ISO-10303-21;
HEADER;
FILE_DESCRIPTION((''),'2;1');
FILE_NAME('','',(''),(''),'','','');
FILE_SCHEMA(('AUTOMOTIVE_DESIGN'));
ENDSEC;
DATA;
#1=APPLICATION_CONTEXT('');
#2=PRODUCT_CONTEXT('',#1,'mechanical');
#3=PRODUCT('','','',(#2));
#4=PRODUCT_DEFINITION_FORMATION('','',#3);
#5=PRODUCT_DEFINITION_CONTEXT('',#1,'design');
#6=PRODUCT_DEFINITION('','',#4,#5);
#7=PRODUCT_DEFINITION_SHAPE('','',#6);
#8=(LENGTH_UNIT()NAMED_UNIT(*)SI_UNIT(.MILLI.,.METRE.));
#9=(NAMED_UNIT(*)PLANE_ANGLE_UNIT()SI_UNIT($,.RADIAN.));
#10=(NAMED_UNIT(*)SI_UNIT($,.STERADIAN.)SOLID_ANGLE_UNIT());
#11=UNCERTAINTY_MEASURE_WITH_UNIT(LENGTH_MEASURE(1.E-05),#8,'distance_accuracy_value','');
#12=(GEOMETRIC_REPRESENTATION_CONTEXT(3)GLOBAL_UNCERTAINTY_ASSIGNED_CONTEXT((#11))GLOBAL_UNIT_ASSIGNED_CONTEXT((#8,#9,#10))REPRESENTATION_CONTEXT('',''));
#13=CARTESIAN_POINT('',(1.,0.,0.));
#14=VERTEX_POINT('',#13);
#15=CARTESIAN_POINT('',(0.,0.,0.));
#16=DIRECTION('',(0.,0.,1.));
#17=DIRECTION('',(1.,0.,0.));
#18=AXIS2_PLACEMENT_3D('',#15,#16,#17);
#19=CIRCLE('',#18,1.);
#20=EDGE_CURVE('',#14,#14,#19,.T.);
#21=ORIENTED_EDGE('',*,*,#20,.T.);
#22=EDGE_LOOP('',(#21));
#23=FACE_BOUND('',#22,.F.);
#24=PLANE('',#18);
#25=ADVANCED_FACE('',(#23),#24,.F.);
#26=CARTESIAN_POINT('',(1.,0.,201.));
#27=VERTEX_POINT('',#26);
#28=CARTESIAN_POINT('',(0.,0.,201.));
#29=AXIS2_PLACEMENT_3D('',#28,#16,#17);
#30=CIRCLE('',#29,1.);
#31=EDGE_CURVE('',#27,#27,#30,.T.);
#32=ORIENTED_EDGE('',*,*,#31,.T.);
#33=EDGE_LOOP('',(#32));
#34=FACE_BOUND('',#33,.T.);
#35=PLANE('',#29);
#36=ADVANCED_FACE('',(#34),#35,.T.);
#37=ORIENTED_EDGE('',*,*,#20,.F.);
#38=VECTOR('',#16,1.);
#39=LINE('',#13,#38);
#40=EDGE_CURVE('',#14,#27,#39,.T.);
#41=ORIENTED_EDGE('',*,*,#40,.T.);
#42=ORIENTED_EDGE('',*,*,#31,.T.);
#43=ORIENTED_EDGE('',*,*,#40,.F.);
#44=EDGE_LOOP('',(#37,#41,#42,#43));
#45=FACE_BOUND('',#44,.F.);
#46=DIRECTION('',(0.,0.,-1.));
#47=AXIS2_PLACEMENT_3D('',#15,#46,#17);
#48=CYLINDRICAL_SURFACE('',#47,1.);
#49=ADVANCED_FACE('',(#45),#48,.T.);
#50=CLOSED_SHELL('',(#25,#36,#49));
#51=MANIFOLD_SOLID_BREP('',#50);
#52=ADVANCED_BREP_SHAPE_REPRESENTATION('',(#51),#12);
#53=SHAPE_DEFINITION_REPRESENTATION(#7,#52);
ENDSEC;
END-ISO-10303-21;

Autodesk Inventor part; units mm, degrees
ref_plane "YZ Plane" through (0, 0, 0) normal (1, 0, 0) x (0, 1, 0)
ref_plane "XZ Plane" through (0, 0, 0) normal (0, 1, 0) x (-1, 0, 0)
ref_plane "XY Plane" through (0, 0, 0) normal (0, 0, 1) x (1, 0, 0)
sketch "Sketch1" plane through (0, 0, 0) normal (0, 0, 1) x (1, 0, 0)
  circle A0 centre (0, 0) radius 1
  dimension "d0" = 2
  dimension "d0" = 2
extrude "Extrusion1" add sketch "Sketch1" along normal blind 201
properties part number "rod"
